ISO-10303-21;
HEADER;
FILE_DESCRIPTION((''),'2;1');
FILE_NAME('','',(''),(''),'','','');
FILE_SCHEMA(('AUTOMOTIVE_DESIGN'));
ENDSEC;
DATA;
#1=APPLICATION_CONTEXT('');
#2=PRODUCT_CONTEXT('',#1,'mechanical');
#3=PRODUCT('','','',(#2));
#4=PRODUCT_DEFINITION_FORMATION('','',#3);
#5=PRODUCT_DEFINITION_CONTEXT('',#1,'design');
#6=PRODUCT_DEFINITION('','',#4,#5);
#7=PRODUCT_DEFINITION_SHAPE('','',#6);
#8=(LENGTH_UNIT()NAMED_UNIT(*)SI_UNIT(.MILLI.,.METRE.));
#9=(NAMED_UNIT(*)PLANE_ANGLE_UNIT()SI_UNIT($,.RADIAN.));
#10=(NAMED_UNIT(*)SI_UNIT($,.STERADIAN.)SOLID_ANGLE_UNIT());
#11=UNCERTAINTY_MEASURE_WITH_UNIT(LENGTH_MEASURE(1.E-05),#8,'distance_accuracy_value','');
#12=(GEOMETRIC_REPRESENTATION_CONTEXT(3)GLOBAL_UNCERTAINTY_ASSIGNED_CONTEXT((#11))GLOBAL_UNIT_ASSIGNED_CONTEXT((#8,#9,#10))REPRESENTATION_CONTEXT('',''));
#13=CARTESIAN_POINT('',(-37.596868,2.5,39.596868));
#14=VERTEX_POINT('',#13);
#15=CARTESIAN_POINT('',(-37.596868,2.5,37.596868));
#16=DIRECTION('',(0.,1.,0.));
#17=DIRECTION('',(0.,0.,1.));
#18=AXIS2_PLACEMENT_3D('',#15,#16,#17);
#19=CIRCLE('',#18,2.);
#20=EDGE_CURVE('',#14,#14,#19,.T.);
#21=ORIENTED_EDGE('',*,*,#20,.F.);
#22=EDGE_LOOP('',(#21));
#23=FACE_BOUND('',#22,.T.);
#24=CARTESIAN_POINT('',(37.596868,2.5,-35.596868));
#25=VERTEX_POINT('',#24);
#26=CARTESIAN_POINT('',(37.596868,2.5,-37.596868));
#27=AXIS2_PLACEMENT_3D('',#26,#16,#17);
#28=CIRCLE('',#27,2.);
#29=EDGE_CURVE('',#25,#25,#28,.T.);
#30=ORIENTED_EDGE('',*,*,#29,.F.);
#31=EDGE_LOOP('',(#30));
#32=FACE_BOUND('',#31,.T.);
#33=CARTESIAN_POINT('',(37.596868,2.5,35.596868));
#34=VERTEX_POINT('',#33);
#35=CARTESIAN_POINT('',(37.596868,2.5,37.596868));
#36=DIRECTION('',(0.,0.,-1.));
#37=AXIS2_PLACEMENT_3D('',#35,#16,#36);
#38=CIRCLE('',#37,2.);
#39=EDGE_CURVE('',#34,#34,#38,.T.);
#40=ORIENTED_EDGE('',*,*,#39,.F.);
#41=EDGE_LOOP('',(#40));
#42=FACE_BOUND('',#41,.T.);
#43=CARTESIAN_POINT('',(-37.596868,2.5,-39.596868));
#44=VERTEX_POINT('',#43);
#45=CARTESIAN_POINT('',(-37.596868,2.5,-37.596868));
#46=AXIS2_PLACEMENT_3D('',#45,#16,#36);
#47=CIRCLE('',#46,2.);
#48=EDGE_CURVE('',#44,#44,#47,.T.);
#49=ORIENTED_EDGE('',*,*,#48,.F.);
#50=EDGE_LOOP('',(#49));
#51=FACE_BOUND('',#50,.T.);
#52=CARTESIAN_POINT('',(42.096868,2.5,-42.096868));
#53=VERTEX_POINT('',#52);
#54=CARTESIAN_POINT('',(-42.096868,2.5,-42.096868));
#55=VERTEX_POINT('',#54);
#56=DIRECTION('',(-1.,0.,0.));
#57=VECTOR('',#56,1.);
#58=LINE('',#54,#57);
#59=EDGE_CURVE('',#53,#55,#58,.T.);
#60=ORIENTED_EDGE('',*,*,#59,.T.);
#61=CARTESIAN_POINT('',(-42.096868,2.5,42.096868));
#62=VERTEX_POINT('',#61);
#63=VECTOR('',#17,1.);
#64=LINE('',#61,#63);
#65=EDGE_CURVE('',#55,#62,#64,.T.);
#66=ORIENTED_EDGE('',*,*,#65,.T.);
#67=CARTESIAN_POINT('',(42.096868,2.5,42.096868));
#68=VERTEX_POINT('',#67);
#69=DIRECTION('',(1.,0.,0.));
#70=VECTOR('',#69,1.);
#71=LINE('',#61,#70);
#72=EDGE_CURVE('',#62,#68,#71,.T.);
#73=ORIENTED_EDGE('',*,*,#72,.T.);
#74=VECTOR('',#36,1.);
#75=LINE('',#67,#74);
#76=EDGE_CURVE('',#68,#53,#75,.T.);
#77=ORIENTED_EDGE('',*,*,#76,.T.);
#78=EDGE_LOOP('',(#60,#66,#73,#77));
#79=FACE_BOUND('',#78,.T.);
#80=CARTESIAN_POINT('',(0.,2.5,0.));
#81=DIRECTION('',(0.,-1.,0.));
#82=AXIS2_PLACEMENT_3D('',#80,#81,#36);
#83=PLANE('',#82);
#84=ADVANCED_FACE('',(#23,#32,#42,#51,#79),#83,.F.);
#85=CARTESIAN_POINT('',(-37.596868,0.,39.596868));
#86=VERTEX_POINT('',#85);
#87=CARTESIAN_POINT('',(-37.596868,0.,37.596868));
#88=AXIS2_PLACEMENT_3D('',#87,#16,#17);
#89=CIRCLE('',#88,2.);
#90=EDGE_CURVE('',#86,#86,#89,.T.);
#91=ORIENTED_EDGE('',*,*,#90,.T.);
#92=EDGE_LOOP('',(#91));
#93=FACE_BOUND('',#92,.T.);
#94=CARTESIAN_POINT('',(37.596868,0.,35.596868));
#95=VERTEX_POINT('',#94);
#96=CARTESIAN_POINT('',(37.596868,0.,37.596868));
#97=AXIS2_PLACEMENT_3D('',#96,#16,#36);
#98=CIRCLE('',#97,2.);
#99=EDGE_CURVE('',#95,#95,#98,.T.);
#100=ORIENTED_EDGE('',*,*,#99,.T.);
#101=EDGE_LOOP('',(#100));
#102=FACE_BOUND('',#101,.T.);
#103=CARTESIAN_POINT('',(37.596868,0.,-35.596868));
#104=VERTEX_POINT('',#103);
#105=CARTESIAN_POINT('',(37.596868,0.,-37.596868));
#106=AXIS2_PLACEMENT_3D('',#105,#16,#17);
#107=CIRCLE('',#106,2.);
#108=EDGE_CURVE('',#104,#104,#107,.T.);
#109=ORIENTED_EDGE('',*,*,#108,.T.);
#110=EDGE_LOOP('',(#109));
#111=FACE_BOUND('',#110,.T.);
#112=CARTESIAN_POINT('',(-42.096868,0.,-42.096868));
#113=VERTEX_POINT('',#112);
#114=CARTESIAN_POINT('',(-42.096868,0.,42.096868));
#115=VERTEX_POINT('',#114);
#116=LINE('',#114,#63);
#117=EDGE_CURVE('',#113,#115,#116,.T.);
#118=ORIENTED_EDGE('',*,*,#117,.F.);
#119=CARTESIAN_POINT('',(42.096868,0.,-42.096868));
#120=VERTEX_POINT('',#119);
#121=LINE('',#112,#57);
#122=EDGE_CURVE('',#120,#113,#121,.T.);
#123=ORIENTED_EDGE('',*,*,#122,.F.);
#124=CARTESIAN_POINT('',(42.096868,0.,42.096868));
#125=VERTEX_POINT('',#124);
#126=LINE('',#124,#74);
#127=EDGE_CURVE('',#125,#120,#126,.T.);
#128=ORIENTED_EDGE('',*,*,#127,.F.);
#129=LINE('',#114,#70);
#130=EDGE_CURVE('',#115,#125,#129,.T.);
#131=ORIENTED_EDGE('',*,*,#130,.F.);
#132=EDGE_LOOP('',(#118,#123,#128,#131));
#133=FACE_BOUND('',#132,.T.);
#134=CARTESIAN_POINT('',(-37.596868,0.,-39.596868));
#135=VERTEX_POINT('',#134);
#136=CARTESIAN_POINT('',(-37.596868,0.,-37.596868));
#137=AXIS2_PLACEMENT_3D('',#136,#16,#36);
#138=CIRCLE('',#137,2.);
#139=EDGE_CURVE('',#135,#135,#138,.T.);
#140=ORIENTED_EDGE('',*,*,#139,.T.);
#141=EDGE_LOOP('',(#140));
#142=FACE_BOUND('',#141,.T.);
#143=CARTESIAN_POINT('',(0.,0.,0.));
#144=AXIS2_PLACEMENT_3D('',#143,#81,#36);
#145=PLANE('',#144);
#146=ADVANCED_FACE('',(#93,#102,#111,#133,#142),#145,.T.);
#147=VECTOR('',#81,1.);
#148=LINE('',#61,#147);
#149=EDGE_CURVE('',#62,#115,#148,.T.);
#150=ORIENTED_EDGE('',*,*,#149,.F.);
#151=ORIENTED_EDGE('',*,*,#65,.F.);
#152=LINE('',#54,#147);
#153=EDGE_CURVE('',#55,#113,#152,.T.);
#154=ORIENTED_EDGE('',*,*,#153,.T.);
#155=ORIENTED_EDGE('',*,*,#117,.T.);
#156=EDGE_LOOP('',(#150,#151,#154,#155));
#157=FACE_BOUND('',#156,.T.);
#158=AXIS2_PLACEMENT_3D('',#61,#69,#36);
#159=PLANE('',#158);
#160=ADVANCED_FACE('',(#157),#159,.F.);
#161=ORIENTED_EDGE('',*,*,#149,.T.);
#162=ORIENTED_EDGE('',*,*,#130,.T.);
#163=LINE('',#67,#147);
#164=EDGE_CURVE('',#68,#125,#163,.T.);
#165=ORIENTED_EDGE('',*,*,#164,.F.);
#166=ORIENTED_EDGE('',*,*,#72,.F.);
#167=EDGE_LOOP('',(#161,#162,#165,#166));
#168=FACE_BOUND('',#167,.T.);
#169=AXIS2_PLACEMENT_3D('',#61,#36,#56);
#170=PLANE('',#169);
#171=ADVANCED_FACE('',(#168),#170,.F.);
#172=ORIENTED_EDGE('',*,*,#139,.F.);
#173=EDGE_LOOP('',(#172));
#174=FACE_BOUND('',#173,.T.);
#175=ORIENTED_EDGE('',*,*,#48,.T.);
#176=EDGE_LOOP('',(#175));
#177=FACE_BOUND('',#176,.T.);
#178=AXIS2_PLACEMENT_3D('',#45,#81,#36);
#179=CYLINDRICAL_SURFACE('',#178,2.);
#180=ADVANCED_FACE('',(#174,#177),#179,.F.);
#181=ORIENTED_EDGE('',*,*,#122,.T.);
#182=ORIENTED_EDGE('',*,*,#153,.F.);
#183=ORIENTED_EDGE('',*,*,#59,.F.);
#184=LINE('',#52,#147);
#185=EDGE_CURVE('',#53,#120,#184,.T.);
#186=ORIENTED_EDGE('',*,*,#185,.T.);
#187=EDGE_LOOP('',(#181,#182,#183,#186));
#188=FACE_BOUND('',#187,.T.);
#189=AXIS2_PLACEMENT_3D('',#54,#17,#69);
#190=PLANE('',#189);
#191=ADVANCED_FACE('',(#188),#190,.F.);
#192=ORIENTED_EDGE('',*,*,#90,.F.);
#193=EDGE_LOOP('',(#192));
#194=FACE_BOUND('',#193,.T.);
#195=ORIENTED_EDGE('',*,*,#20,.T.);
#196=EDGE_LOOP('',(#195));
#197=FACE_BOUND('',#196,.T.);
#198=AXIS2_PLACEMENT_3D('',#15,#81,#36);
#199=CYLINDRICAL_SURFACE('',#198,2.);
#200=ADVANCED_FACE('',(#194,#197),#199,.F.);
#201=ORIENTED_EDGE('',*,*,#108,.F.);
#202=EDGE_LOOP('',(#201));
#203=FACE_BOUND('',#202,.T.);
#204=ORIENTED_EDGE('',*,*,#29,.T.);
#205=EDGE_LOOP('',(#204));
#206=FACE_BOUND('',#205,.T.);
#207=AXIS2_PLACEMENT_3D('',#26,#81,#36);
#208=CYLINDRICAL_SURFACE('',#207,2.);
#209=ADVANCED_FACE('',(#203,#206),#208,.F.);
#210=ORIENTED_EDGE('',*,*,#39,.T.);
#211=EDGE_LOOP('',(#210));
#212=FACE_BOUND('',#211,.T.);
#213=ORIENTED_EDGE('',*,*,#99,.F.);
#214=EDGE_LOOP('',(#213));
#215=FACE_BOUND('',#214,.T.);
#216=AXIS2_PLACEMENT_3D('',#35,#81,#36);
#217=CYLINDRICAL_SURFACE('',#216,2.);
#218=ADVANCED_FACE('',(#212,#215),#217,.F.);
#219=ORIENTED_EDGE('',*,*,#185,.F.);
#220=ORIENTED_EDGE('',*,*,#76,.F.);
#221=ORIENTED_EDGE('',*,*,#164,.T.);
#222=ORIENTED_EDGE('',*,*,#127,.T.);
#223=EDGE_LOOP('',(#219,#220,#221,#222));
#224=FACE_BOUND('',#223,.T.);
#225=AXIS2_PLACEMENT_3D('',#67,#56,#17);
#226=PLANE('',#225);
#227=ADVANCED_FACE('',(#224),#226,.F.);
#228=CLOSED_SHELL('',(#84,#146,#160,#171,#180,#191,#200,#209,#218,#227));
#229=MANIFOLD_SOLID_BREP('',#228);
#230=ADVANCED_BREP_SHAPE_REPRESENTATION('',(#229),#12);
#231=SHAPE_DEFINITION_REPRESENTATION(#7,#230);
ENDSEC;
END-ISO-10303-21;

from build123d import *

# Parameters (mm, degrees)
SKETCH1_W           = 84.193735112
SKETCH1_H           = 84.193735112
SKETCH1_R           = 2
BOSS_EXTRUDE1_DEPTH = 2.5


with BuildPart() as part:
    # Sketch1 → Boss-Extrude1 (new body)
    with BuildSketch(Plane(origin=(0, 0, 0), x_dir=(1, 0, 0), z_dir=(0, 1, 0))):
        Rectangle(SKETCH1_W, SKETCH1_H)
        with Locations(Location((37.596867556, 37.596867556, 0), (0, 0, 270))):
            Circle(SKETCH1_R, mode=Mode.SUBTRACT)
        with Locations(Location((-37.596867556, 37.596867556, 0), (0, 0, 90))):
            Circle(SKETCH1_R, mode=Mode.SUBTRACT)
        with Locations(Location((-37.596867556, -37.596867556, 0), (0, 0, 270))):
            Circle(SKETCH1_R, mode=Mode.SUBTRACT)
        with Locations(Location((37.596867556, -37.596867556, 0), (0, 0, 90))):
            Circle(SKETCH1_R, mode=Mode.SUBTRACT)
    extrude(amount=BOSS_EXTRUDE1_DEPTH)


solid = part.part
